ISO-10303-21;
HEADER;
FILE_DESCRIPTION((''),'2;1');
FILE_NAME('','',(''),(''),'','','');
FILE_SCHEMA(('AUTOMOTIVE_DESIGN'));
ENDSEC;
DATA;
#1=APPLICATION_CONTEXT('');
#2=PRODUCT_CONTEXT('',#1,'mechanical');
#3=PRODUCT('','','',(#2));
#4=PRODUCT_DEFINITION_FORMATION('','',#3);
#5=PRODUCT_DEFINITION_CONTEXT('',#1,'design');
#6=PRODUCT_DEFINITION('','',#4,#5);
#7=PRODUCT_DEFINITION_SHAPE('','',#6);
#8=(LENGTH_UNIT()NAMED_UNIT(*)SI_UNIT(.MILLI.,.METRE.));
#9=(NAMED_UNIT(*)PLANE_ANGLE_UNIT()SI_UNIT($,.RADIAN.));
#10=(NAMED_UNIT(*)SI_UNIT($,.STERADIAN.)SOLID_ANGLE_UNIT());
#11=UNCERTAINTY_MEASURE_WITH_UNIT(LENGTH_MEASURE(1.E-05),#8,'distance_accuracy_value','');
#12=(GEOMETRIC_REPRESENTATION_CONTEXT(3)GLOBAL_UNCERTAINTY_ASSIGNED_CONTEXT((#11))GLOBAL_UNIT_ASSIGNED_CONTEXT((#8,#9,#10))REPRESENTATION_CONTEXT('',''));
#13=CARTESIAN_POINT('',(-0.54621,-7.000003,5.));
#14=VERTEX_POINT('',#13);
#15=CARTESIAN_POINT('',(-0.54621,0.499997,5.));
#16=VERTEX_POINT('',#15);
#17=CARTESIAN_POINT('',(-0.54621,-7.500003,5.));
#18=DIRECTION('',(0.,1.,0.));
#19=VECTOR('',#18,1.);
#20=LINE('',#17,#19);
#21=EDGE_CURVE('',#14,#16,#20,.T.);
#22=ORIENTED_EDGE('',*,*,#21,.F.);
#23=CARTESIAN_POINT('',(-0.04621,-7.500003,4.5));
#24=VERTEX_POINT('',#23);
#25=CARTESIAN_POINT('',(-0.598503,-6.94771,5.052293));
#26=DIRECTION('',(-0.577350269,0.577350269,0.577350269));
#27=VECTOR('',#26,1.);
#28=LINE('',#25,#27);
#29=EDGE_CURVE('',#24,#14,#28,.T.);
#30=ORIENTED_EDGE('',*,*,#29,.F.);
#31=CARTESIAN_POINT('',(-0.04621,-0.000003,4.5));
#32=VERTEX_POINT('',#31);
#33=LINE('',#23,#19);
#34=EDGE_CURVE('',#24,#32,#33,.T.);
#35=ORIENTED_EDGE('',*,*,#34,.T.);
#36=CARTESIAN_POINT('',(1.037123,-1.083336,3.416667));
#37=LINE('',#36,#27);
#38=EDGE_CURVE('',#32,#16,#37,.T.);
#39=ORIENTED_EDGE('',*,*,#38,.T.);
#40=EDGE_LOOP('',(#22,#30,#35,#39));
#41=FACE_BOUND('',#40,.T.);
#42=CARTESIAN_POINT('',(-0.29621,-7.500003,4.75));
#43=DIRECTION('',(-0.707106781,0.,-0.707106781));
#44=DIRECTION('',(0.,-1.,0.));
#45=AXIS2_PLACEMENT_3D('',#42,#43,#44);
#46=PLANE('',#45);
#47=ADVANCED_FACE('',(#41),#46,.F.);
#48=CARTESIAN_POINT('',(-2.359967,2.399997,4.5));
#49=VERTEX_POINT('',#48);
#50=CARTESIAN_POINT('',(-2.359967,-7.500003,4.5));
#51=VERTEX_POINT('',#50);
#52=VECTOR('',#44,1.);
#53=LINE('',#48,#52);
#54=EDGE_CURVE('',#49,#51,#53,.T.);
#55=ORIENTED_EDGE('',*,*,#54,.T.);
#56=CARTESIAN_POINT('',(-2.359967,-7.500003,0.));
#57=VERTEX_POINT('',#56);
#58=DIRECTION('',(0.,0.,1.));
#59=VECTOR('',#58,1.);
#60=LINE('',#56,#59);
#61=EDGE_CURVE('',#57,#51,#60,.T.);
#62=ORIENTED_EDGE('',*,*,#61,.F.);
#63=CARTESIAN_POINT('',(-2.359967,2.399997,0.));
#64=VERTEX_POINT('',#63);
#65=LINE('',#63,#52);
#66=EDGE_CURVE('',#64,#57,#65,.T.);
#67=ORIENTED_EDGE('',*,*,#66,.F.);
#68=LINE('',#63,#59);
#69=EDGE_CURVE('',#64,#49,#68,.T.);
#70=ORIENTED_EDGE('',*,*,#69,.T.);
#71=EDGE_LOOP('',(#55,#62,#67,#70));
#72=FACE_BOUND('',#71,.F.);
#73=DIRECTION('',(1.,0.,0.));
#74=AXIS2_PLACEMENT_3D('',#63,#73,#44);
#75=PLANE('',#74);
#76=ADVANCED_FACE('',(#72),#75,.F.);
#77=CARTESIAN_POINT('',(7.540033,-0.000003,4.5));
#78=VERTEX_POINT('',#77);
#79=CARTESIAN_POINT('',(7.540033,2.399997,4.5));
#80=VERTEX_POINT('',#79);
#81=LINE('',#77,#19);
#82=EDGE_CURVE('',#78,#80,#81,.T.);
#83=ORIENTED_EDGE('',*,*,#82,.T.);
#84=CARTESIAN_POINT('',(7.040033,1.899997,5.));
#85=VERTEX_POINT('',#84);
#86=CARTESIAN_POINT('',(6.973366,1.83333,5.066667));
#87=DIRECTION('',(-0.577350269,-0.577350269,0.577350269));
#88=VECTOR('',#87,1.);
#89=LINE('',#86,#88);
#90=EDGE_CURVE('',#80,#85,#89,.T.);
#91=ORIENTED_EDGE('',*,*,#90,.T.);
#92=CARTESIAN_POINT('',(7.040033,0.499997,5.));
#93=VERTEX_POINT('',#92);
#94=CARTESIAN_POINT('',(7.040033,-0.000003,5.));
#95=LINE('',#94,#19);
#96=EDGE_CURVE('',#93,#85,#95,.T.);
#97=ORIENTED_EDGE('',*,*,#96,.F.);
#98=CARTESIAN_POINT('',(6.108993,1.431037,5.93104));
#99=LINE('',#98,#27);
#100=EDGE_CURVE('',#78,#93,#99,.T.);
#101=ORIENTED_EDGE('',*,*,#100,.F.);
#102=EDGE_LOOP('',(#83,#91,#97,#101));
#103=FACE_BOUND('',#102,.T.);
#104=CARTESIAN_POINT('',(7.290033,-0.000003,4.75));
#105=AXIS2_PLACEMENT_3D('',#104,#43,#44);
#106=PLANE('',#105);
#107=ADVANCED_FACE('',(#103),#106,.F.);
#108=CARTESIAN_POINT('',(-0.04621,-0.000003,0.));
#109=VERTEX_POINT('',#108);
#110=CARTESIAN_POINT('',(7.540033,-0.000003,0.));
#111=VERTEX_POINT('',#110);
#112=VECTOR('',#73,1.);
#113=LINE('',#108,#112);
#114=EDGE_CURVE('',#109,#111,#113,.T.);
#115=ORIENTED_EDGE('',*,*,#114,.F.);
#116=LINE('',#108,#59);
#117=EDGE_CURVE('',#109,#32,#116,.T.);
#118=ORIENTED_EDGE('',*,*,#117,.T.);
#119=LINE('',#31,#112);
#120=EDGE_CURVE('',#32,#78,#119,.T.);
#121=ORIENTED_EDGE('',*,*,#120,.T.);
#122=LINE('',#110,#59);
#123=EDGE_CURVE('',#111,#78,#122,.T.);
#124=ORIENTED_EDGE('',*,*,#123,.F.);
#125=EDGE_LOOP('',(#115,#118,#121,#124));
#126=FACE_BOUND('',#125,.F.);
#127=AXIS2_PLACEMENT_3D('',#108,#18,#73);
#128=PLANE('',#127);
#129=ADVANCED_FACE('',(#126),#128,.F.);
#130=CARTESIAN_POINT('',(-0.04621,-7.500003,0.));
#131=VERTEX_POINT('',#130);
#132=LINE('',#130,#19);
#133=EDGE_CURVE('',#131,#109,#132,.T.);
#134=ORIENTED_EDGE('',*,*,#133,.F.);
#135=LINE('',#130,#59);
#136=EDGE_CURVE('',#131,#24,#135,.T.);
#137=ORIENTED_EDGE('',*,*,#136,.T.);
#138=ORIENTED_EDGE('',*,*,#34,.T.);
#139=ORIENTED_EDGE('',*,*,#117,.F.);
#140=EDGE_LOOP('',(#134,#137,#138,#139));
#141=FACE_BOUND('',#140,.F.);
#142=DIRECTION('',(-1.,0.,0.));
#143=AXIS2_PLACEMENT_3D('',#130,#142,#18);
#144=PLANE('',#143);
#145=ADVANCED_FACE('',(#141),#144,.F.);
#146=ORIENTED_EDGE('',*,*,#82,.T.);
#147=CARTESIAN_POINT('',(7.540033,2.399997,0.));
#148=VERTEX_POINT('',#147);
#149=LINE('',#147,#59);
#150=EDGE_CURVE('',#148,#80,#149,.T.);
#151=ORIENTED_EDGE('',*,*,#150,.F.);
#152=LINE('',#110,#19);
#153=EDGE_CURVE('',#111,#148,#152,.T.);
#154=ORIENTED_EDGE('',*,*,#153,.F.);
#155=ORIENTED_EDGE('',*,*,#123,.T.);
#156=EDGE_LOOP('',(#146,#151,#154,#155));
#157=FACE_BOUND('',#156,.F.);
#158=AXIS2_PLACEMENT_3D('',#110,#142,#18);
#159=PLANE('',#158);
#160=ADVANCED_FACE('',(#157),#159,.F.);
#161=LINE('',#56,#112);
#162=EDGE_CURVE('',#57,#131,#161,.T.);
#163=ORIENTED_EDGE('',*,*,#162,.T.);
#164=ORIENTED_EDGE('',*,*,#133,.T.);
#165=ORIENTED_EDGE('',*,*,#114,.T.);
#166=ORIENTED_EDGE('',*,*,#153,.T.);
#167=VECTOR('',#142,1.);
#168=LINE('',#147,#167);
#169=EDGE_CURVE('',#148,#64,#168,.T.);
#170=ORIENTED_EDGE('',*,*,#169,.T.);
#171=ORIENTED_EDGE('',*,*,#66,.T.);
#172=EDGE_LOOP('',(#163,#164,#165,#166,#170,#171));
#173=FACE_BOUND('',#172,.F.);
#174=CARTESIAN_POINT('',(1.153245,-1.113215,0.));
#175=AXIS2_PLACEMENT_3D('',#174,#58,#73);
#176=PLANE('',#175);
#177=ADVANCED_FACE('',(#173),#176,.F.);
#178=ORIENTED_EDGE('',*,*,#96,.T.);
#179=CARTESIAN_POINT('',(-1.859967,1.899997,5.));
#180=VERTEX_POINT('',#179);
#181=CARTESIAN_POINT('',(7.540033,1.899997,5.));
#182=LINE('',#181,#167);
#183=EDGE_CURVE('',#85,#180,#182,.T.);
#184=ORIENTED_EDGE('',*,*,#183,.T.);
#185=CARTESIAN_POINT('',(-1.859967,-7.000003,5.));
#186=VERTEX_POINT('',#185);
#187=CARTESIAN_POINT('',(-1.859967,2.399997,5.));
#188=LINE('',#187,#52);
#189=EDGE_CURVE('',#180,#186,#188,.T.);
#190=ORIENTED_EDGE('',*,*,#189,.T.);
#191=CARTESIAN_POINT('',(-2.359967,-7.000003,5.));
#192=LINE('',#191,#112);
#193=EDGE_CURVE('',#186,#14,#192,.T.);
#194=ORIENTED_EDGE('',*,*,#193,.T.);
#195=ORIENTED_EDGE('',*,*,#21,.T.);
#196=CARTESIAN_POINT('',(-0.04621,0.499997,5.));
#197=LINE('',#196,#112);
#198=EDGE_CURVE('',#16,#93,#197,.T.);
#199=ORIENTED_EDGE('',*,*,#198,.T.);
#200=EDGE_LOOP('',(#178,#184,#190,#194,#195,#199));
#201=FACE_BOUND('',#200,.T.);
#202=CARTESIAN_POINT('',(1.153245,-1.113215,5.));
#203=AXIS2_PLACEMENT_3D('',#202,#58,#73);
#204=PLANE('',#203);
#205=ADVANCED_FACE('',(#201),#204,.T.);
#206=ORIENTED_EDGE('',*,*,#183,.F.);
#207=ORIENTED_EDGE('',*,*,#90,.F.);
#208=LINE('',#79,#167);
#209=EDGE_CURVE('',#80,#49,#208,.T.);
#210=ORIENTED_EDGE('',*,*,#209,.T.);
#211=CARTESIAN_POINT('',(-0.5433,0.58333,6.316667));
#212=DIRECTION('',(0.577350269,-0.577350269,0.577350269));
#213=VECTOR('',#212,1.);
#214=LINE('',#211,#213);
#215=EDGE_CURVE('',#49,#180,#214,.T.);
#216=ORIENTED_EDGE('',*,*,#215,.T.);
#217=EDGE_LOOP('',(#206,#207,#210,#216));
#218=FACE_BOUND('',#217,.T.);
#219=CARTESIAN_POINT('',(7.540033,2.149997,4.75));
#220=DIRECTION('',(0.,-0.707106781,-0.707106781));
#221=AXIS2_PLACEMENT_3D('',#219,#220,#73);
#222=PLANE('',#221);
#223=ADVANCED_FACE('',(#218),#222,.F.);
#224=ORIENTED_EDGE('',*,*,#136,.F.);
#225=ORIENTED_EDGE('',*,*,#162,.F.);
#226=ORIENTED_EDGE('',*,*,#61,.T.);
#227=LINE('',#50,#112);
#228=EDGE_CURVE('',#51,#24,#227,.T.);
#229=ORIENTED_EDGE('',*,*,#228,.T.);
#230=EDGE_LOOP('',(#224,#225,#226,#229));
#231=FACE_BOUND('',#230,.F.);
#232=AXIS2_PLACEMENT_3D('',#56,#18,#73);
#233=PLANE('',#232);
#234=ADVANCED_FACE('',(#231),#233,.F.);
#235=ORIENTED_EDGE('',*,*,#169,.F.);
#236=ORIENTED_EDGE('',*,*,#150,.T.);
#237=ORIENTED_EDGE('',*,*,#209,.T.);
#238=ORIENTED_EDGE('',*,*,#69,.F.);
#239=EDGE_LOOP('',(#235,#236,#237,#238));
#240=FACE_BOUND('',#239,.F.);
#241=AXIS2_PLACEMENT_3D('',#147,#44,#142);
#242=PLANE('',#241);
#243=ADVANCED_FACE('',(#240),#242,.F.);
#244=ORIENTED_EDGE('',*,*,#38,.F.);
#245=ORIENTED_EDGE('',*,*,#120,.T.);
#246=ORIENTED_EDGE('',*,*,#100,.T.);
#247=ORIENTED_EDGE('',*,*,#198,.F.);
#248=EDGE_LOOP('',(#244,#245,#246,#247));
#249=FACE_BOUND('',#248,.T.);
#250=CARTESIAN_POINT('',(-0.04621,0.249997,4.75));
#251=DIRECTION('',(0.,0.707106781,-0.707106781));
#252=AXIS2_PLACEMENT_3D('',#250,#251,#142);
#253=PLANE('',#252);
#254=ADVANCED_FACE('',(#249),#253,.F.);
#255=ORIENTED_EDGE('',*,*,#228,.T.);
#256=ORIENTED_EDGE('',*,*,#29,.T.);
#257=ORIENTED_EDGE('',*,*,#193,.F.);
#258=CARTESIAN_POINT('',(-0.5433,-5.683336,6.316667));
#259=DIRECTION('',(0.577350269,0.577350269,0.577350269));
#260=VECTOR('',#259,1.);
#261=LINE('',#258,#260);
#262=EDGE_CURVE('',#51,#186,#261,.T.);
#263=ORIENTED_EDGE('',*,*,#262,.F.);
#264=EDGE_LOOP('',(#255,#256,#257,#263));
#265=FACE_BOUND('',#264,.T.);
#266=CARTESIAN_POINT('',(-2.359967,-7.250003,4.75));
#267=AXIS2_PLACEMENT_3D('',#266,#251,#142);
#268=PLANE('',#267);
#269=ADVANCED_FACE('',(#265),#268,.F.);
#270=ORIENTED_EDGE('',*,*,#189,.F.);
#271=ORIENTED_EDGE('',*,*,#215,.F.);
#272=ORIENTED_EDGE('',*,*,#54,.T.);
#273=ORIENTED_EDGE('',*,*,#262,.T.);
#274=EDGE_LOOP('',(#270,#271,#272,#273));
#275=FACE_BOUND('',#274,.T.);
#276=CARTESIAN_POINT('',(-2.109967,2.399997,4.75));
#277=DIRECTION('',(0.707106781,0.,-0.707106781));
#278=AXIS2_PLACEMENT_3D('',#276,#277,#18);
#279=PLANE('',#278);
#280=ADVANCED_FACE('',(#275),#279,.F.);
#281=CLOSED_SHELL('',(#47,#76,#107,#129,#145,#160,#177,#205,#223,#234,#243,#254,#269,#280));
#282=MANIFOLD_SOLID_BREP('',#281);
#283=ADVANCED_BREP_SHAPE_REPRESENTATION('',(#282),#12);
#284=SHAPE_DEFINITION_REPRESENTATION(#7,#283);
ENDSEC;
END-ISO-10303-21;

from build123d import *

# Parameters (mm, degrees)
F1_DEPTH = 5
F2_SIZE  = 0.5


with BuildPart() as f1:
    # F0 (on Top) → F1 (new body)
    with BuildSketch(Plane.XY):
        Polygon((7.540033, 2.399997), (-2.359967, 2.399997), (-2.359967, -7.500003), (-0.04621, -7.500003), (-0.04621, -3e-06), (7.540033, -3e-06), align=None)
    extrude(amount=F1_DEPTH)

    # F2
    f2_edges = [f1.edges().sort_by_distance(p)[0] for p in [
        (7.540033, 1.199997, 5),
        (2.590033, 2.399997, 5),
        (-2.359967, -2.550003, 5),
        (-1.203089, -7.500003, 5),
        (-0.04621, -3.750003, 5),
        (3.746911, -3e-06, 5),
    ]]
    chamfer(f2_edges, length=F2_SIZE)


solid = f1.part
